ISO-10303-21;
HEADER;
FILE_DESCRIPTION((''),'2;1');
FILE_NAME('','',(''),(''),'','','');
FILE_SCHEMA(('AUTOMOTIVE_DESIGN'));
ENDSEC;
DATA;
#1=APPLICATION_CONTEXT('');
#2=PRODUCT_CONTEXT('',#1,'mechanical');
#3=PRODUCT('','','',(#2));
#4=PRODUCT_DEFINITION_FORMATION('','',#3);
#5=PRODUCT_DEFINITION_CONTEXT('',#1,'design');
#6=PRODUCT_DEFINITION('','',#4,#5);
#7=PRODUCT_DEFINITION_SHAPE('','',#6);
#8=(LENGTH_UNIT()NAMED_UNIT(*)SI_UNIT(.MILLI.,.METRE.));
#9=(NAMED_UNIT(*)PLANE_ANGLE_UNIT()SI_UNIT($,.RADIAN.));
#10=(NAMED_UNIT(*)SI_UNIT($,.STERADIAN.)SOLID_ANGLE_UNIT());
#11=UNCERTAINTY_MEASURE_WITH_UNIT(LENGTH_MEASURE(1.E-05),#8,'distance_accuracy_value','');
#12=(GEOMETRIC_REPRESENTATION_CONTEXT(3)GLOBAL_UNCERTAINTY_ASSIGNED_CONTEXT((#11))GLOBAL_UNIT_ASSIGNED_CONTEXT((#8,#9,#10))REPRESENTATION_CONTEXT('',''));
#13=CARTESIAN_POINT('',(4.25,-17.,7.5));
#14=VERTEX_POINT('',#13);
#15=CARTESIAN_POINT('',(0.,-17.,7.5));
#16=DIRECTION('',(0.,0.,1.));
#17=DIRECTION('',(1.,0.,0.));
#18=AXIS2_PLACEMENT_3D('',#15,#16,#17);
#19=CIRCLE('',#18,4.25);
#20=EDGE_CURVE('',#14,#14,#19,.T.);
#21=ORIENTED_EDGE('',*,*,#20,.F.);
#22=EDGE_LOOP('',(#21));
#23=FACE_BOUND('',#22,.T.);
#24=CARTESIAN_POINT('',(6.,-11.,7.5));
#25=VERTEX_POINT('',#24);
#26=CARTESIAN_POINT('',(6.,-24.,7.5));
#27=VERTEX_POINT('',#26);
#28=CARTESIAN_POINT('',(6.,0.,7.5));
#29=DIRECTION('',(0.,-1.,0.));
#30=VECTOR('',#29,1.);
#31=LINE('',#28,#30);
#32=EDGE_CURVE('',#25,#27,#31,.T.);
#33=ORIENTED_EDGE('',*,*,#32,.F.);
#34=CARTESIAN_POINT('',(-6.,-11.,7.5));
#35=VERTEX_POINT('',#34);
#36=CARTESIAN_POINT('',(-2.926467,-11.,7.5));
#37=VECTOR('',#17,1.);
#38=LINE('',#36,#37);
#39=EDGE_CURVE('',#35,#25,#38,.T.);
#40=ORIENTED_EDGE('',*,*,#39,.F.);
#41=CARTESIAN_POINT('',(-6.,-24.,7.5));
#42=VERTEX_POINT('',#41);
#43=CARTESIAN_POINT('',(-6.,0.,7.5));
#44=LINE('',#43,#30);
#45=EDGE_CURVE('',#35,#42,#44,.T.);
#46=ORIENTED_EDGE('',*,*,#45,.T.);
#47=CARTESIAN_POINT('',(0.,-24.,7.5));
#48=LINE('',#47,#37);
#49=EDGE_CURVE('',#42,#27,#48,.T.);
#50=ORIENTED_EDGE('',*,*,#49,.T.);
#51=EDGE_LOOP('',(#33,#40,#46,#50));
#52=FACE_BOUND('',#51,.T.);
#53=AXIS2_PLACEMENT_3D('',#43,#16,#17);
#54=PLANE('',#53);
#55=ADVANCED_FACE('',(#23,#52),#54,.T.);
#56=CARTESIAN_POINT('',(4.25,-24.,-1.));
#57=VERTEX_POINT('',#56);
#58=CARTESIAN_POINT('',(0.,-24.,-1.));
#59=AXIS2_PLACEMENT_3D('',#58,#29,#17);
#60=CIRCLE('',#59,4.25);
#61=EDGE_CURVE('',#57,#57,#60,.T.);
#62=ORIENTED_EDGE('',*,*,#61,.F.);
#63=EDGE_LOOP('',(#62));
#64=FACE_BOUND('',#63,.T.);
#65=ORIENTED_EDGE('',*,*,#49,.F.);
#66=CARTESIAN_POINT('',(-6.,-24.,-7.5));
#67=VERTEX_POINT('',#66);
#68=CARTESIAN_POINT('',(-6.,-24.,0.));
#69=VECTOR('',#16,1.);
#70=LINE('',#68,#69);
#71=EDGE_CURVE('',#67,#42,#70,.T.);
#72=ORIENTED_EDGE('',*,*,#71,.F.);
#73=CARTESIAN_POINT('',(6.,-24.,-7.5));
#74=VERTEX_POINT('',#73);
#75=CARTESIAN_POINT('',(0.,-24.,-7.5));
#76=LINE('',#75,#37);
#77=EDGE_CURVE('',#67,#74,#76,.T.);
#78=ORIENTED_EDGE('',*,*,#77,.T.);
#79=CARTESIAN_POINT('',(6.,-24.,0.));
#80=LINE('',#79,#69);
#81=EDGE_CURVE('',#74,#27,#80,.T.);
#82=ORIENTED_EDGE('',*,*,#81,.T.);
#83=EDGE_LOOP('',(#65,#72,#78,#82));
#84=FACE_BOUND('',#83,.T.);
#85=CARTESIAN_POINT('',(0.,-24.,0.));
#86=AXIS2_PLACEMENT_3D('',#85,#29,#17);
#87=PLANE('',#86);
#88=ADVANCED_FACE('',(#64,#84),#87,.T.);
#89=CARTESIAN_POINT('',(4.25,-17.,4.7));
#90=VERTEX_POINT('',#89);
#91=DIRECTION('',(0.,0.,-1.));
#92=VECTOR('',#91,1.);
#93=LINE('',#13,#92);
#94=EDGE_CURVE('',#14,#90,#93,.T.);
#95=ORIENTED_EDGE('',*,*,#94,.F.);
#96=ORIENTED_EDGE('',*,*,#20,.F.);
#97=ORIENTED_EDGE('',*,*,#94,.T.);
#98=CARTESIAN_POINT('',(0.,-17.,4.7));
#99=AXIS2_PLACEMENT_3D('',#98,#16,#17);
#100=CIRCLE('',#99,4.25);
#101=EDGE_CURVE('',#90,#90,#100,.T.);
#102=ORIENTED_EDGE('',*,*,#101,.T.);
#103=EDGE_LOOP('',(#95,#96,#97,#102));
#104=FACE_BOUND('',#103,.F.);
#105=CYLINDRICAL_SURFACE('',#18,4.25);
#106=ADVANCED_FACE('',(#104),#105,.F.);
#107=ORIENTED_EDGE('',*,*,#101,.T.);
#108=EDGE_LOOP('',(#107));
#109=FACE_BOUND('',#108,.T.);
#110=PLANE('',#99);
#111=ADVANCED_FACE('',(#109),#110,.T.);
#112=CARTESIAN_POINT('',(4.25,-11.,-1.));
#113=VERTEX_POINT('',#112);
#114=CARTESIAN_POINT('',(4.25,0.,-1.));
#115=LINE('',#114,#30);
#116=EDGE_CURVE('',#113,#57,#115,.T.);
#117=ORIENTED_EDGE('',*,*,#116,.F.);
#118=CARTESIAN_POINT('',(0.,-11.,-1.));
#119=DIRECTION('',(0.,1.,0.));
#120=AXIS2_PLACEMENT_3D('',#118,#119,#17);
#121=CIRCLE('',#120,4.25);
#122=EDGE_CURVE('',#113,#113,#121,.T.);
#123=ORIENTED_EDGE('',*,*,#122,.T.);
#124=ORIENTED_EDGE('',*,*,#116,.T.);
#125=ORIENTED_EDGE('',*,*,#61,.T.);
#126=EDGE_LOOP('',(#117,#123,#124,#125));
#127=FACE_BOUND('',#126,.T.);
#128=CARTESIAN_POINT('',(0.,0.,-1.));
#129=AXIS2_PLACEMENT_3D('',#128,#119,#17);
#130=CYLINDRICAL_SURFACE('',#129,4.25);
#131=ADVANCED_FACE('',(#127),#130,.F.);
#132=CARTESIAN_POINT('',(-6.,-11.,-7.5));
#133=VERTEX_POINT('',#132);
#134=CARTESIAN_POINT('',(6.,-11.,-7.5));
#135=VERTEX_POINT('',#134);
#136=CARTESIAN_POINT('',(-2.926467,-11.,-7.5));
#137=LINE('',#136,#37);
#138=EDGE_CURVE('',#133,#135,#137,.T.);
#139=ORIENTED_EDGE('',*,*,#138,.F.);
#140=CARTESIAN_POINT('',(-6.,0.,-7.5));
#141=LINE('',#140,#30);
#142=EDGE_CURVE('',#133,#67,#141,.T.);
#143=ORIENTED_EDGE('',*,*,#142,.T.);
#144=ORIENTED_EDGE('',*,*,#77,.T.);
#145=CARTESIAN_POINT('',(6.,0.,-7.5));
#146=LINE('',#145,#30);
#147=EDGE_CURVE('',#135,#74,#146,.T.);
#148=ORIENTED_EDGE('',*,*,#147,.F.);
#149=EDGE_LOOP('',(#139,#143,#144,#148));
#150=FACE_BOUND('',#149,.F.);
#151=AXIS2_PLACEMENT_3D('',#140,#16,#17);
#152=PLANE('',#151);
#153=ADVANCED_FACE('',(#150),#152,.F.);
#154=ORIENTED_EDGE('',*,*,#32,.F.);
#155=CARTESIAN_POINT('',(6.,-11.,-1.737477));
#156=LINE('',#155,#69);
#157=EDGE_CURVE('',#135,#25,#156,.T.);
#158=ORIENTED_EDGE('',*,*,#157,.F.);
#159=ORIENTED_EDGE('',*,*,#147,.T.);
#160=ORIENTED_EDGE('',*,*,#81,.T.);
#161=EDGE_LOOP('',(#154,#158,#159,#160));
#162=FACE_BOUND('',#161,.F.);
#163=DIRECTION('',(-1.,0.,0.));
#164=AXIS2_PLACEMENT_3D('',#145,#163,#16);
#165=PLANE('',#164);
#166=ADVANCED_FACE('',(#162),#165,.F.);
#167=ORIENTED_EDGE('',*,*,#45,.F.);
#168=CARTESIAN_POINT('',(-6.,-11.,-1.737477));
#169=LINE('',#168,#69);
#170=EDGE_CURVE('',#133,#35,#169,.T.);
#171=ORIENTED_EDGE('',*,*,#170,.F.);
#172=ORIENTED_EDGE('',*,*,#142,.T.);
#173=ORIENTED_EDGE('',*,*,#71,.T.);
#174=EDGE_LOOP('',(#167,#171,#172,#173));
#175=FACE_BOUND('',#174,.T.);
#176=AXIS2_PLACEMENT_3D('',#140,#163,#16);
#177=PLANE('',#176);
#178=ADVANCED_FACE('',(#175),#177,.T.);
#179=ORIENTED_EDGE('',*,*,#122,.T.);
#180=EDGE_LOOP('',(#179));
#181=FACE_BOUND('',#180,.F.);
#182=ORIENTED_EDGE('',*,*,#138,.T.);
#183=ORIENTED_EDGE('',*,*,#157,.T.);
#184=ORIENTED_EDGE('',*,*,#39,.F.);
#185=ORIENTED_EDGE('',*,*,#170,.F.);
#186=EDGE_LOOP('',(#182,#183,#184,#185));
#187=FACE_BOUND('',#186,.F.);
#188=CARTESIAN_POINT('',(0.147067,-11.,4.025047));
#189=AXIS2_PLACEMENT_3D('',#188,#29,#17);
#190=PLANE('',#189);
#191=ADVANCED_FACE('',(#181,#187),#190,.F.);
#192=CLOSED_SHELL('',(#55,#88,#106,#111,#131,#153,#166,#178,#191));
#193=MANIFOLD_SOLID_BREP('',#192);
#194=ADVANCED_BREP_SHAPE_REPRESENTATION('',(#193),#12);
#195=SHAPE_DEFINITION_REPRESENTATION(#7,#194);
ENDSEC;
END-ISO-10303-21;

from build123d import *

# Parameters (mm, degrees)
F0_W     = 12
F0_H     = 15
F0_R     = 4.25
F1_DEPTH = 24
F2_R     = 4.125
F2_R_2   = 4.25
F3_DEPTH = 2.8
F5_W     = 22.825278
F5_H     = 44.441271
F6_DEPTH = 25


with BuildPart() as f1:
    # F0 (on Front) → F1 (new body)
    with BuildSketch(Plane.XZ):
        Rectangle(F0_W, F0_H)
        with Locations((0, -1)):
            Circle(F0_R, mode=Mode.SUBTRACT)
    extrude(amount=F1_DEPTH)

    # F2 (on face) → F3 (cut)
    with BuildSketch(Plane.XY.offset(7.5)):
        with Locations((0, -6)):
            Circle(F2_R)
        with Locations((0, -17)):
            Circle(F2_R_2)
    extrude(amount=-F3_DEPTH, mode=Mode.SUBTRACT)

    # F5 (on offset) → F6 (cut)
    with BuildSketch(Plane.XZ.offset(11)):
        with Locations((0.147067, 4.025047)):
            Rectangle(F5_W, F5_H)
    extrude(amount=-F6_DEPTH, mode=Mode.SUBTRACT)


solid = f1.part
